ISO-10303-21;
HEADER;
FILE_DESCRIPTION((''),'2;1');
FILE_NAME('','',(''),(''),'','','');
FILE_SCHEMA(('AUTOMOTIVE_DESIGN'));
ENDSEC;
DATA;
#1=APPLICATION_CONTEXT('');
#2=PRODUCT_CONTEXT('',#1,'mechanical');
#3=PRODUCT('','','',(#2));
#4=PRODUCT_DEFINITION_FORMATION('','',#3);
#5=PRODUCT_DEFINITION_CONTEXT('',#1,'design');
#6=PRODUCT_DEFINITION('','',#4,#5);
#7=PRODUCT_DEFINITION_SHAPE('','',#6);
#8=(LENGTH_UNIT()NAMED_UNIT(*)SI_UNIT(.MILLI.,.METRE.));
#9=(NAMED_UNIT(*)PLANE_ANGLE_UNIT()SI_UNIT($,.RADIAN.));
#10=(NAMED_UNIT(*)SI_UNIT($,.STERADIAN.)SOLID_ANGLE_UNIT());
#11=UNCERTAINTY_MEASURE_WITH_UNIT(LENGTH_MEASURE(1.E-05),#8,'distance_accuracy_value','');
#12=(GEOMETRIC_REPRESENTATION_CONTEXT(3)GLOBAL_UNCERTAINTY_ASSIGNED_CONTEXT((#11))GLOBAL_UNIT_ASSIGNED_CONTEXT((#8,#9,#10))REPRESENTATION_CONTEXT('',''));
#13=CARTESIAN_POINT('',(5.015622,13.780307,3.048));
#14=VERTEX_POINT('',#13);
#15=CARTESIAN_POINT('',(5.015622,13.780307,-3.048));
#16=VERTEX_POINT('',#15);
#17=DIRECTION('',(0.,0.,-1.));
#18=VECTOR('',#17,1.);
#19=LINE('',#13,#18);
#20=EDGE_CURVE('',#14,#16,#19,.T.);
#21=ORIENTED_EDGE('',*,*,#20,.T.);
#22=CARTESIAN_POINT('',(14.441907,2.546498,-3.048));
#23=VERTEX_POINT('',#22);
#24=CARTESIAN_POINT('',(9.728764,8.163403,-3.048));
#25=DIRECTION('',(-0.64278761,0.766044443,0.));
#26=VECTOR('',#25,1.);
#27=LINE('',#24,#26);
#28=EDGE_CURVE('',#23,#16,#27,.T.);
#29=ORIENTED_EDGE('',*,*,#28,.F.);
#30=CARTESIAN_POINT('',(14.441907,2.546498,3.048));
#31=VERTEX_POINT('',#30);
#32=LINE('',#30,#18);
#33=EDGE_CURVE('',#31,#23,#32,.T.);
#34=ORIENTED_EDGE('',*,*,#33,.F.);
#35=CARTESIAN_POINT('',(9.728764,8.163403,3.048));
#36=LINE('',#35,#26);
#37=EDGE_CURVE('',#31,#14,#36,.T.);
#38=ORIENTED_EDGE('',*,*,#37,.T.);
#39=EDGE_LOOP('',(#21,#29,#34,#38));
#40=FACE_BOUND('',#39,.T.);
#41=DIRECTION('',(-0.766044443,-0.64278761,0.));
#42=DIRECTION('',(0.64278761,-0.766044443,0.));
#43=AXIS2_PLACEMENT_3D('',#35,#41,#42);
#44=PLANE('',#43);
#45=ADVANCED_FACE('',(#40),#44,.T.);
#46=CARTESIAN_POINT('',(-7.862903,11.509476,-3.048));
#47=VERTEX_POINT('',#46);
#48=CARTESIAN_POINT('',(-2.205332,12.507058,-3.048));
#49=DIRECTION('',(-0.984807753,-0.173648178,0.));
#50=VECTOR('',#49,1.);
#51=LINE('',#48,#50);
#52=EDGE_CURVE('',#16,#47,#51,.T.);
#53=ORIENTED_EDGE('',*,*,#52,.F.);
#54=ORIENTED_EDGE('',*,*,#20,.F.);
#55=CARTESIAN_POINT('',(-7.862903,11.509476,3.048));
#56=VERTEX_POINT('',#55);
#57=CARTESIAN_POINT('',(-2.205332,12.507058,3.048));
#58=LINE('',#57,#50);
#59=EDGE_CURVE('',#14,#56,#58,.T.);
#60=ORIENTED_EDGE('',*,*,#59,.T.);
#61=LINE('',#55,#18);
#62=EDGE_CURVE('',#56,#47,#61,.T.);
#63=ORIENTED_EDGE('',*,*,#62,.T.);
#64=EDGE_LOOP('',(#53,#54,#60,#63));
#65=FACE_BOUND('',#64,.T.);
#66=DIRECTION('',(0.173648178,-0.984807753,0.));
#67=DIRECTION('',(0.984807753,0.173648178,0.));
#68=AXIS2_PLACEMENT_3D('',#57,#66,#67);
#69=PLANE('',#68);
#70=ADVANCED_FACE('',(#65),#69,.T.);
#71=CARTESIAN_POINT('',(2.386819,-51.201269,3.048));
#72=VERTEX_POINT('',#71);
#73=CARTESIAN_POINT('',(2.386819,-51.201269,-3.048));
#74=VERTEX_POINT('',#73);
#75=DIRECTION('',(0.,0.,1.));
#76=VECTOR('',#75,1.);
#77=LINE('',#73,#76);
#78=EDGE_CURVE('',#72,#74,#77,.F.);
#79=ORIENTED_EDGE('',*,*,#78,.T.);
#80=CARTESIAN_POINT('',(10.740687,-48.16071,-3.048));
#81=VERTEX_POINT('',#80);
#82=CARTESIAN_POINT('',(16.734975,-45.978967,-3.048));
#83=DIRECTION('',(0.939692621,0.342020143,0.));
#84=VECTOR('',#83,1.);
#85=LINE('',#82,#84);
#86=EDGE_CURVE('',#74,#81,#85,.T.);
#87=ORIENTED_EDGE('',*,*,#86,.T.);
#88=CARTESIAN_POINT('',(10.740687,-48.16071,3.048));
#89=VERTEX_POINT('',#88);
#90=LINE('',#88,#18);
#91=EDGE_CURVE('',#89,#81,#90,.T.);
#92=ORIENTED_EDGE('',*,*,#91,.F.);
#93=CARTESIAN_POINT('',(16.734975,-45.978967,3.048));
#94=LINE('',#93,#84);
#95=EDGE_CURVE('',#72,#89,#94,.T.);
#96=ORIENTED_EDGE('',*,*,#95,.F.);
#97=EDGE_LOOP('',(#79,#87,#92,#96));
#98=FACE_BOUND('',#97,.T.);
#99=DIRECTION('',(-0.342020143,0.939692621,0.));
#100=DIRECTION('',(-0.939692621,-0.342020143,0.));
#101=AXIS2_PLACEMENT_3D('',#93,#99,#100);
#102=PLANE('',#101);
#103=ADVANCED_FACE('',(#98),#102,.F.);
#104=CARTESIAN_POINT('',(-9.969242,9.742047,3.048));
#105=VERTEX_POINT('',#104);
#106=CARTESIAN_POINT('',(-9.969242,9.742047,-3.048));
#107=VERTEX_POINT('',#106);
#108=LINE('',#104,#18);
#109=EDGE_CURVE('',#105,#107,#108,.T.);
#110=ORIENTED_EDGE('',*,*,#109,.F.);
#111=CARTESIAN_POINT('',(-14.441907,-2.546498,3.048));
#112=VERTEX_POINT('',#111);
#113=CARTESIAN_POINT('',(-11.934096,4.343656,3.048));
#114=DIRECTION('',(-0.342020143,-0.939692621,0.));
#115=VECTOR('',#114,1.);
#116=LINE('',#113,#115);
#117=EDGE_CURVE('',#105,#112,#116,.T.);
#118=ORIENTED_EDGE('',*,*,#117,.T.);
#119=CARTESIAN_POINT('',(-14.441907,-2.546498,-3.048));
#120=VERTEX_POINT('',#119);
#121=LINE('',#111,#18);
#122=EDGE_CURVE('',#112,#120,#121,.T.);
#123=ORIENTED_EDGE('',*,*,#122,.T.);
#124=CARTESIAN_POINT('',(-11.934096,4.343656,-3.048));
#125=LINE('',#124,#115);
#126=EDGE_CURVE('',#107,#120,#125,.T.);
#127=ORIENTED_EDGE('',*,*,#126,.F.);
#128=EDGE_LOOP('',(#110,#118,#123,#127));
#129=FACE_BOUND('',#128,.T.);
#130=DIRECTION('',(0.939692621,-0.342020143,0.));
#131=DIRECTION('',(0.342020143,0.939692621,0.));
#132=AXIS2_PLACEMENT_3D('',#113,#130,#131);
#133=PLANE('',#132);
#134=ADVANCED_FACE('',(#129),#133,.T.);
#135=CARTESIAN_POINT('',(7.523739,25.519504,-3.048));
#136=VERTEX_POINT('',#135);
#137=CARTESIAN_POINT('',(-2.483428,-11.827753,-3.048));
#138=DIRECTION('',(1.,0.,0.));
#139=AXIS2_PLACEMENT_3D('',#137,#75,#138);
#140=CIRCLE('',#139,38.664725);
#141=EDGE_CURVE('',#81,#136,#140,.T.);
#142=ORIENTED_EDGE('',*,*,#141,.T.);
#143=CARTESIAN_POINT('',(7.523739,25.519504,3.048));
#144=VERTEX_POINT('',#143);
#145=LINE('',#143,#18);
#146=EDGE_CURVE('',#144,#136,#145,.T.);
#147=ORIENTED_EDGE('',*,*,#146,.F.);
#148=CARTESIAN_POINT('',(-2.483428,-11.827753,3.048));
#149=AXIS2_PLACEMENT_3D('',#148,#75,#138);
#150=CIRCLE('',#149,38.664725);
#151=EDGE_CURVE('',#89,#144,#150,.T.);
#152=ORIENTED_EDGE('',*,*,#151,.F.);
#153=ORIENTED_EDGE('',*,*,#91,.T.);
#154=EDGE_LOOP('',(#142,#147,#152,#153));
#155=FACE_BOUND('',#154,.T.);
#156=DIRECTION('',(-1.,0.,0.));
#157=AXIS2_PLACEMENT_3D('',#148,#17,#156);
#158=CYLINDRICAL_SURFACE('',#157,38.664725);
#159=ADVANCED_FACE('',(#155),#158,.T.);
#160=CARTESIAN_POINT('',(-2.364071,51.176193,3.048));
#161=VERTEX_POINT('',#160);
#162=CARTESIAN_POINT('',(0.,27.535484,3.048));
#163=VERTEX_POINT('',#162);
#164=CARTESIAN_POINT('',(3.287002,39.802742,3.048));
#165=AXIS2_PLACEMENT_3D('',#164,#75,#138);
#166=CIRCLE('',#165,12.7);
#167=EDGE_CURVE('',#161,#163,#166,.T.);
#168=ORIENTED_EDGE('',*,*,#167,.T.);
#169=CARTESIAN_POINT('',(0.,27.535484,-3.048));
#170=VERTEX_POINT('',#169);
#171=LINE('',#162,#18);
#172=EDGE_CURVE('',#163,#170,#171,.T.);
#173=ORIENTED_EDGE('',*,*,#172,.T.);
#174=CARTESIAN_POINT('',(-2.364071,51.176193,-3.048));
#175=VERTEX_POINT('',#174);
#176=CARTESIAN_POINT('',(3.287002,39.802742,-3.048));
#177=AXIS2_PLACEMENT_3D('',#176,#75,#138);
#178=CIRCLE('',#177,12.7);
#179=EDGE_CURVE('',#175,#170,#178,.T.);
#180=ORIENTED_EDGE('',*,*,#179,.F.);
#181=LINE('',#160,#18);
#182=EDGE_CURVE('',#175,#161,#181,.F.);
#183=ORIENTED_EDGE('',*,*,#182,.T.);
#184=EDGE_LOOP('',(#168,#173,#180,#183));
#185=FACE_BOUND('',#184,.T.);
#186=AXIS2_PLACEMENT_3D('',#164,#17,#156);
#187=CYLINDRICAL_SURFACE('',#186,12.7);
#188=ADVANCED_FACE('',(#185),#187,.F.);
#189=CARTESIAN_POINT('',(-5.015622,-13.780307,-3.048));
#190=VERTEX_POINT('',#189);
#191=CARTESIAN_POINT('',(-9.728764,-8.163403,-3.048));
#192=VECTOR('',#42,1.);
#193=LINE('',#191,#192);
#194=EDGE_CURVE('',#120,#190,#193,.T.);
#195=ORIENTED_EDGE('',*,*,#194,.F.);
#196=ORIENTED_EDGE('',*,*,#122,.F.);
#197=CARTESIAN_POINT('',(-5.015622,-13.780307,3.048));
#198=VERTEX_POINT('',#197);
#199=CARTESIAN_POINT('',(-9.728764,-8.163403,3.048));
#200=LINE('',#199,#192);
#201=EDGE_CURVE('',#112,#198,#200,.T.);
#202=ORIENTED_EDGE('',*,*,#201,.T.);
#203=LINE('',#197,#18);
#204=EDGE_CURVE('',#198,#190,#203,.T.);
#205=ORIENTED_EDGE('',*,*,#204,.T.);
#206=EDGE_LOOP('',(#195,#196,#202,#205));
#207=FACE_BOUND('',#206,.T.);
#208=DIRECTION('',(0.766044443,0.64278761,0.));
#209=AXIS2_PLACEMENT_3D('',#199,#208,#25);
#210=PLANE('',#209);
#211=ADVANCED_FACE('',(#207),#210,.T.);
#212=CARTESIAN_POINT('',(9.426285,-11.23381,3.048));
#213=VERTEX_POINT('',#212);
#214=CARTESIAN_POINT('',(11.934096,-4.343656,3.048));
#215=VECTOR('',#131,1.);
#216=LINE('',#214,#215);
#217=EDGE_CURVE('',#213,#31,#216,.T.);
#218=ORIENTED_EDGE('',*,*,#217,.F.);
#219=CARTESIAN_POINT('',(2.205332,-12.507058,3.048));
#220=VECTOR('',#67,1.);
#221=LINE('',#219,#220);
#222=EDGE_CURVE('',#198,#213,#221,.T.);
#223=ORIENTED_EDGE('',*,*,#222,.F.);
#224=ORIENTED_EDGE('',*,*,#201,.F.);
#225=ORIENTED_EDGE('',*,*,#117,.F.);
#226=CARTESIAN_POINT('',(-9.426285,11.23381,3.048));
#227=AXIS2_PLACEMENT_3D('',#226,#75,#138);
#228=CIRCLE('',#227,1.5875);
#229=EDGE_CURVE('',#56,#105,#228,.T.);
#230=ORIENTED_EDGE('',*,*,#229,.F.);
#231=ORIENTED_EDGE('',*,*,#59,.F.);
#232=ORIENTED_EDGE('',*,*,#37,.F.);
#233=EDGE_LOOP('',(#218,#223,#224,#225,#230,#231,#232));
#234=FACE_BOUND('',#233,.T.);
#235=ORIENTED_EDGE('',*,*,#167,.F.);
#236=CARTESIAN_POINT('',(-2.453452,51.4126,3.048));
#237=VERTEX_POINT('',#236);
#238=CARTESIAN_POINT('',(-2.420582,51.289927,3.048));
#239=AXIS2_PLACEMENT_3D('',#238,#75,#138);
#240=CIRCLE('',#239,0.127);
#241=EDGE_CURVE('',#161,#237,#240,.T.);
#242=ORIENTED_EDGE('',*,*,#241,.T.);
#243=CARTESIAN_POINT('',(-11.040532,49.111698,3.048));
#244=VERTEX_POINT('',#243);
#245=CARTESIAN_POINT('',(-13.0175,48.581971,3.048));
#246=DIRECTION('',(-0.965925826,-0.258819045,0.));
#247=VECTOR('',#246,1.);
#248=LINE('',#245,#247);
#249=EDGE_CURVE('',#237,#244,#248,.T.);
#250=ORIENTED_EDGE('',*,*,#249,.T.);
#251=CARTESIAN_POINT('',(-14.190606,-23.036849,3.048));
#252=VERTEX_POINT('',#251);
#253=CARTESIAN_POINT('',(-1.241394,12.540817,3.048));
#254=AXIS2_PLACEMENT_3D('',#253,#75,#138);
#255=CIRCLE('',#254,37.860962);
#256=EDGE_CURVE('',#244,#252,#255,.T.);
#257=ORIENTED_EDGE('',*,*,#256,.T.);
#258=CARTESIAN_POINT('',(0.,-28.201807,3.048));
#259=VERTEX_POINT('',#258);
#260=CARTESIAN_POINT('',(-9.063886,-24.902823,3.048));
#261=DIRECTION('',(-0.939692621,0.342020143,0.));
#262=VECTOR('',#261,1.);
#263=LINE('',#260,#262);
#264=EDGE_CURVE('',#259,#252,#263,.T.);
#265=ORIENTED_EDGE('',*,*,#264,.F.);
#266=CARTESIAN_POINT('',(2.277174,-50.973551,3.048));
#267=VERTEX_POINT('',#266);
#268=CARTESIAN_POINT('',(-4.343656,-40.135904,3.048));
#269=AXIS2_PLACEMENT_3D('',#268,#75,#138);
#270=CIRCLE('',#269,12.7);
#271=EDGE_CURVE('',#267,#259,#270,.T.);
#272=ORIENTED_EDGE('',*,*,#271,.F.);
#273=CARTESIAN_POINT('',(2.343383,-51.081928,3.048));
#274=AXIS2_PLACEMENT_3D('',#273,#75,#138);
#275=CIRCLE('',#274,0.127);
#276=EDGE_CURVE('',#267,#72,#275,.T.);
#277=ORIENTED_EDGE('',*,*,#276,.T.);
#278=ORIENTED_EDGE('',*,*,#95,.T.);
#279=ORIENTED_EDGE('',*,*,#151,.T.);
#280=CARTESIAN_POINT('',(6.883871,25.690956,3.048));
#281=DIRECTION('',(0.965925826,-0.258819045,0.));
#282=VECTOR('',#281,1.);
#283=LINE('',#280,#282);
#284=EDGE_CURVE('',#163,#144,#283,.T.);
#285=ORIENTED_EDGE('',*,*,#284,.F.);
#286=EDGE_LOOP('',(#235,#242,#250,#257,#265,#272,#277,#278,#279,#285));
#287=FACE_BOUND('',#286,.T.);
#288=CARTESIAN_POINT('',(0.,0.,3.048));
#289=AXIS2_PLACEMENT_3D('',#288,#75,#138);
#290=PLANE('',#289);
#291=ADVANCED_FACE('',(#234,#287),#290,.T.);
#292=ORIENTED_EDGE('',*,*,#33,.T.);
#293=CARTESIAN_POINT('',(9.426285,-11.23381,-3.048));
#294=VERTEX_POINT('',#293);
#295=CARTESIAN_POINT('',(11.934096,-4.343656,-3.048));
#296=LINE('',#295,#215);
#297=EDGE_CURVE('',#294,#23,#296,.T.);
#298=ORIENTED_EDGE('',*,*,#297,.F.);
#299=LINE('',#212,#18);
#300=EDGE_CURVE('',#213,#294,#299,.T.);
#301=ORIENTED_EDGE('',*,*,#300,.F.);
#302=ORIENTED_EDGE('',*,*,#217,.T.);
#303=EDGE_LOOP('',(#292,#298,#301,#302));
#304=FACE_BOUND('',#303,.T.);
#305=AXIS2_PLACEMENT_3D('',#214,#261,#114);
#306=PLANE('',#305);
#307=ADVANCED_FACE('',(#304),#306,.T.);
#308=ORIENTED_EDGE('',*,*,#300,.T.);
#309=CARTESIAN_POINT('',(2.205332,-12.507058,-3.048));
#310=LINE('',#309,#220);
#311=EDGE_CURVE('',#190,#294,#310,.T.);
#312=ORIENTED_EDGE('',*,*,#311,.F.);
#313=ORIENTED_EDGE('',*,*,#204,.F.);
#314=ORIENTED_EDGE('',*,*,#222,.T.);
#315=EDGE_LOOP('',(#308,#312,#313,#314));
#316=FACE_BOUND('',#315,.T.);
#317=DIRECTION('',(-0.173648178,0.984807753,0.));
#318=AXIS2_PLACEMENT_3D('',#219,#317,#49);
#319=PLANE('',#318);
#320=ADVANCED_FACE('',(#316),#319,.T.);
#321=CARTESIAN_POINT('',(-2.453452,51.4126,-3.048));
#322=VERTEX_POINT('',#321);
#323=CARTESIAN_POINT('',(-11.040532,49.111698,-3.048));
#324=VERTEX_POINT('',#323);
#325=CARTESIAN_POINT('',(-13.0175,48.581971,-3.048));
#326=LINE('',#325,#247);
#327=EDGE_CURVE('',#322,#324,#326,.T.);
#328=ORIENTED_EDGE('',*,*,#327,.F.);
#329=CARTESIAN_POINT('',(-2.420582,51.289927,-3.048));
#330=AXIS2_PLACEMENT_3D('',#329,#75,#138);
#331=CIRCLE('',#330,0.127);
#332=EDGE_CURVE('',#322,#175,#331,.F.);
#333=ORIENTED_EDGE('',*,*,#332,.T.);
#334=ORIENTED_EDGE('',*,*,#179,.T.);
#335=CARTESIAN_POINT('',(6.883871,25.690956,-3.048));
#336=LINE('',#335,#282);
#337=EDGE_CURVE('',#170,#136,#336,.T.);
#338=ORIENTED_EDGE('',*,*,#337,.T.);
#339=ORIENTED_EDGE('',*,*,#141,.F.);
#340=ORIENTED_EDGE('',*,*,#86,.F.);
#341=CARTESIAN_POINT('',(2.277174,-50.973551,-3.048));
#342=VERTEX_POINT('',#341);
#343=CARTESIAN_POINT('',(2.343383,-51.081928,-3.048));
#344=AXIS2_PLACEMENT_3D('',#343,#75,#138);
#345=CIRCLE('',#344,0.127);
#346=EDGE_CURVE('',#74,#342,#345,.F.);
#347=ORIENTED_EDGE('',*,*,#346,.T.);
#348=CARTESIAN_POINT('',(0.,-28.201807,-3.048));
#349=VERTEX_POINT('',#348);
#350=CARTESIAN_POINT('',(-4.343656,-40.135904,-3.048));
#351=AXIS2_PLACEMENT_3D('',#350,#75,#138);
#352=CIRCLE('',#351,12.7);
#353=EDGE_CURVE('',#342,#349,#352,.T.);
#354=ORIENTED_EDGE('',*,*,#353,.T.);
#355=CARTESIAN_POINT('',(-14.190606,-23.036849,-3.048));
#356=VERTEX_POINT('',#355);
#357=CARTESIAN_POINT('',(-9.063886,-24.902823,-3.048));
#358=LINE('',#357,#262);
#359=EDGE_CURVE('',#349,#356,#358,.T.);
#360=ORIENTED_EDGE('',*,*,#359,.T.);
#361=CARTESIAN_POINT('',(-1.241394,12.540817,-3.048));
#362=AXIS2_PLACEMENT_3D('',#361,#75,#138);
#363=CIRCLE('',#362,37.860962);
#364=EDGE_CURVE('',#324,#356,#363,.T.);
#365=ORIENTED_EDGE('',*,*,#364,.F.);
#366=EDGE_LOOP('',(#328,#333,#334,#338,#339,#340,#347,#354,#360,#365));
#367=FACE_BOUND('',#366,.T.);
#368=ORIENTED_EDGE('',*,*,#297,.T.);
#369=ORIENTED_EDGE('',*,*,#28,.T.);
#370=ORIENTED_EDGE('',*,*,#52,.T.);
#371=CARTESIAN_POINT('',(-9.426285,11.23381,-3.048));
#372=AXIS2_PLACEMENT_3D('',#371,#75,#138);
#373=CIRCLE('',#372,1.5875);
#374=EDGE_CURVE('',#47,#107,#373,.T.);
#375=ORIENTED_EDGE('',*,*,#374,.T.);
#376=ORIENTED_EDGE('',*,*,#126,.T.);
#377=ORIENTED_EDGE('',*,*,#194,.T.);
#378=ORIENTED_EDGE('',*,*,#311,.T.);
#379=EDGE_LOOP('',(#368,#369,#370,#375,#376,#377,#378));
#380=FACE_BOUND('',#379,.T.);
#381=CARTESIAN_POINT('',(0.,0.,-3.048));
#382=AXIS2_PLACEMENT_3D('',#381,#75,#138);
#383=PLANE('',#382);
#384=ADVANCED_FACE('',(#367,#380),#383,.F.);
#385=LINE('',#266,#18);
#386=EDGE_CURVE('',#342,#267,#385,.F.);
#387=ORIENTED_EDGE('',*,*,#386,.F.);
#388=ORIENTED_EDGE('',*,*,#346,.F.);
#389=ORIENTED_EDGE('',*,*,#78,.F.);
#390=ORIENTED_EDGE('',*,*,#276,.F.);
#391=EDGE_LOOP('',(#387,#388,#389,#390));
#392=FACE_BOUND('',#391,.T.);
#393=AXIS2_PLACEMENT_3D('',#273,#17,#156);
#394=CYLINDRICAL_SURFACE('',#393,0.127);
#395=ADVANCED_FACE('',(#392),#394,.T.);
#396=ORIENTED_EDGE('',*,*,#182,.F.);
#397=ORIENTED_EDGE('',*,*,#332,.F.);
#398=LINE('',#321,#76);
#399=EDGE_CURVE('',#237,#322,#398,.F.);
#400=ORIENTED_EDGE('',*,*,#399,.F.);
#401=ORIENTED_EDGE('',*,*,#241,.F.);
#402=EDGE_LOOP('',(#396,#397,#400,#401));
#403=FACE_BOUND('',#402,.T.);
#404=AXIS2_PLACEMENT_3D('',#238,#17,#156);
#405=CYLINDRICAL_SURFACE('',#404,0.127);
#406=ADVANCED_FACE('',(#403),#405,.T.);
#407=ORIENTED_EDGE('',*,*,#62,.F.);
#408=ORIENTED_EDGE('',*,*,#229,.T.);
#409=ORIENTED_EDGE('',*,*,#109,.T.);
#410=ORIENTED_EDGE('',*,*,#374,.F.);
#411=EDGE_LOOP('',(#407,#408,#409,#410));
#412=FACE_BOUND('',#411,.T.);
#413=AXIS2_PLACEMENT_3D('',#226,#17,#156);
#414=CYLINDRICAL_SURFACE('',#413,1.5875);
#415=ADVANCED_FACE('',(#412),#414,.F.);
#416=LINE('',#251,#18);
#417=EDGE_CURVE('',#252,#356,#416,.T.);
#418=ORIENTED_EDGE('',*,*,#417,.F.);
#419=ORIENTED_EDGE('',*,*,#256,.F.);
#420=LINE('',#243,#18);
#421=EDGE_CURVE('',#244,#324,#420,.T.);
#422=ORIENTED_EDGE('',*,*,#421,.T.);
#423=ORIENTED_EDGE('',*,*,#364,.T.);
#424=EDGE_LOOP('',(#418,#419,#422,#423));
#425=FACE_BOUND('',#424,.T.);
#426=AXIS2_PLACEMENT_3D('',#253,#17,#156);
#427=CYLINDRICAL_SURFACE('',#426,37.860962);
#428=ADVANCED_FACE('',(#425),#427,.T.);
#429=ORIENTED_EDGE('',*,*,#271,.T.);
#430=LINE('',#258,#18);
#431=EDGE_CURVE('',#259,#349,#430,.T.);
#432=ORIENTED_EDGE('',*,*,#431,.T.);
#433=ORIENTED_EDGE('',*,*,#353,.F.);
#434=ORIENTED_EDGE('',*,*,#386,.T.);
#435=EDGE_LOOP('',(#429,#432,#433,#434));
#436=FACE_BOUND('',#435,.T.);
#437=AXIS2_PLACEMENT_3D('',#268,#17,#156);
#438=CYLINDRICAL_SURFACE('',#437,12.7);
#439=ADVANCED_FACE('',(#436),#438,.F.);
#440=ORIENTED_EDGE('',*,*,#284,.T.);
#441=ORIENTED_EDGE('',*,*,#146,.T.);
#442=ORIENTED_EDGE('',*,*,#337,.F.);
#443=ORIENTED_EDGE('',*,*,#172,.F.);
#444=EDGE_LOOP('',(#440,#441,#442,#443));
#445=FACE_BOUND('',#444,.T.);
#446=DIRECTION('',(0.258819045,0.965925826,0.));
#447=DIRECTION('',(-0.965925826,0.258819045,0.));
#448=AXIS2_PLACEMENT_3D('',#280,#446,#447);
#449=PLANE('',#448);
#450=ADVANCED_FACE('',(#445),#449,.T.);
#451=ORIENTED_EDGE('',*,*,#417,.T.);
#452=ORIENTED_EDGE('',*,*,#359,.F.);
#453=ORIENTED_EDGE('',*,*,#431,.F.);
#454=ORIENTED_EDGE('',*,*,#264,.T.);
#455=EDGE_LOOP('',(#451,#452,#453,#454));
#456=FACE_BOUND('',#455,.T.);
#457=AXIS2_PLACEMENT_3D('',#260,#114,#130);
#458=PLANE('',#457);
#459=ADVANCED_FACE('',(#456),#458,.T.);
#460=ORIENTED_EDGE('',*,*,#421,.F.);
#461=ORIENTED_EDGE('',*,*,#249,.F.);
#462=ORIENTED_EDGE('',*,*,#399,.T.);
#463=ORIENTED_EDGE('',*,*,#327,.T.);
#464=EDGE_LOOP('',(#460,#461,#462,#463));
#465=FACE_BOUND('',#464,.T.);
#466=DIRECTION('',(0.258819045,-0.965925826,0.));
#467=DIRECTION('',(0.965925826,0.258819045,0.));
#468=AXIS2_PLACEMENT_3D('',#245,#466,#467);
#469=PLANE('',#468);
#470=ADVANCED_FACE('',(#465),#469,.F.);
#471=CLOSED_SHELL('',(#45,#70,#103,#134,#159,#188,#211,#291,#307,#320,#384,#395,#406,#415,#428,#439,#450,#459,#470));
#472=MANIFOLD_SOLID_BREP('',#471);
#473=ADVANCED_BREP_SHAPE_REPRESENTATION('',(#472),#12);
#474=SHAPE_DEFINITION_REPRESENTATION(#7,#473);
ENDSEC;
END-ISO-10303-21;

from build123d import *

# Parameters (mm, degrees)
BOSS_EXTRUDE1_DEPTH = 3.048
FILLET1_R           = 0.127


with BuildPart() as part:
    # Sketch1 → Boss-Extrude1 (new body, symmetric)
    with BuildSketch(Plane.XY):
        with BuildLine():
            ThreePointArc((0, 27.535484012), (-9.412998127, 39.802742006), (0, 52.07))
            Line((0, 52.07), (-11.040532194, 49.111698314))
            ThreePointArc((-11.040532194, 49.111698314), (-39.066320922, 14.192289272), (-14.190605813, -23.03684931))
            Line((-14.190605813, -23.03684931), (0, -28.201807432))
            ThreePointArc((0, -28.201807432), (8.35634418, -40.135903716), (0, -52.07))
            Line((0, -52.07), (10.740686656, -48.160709762))
            ThreePointArc((10.740686656, -48.160709762), (36.144496882, -10.141220984), (7.52373904, 25.519504212))
            Line((7.52373904, 25.519504212), (0, 27.535484012))
        make_face()
        with BuildLine():
            Line((-14.441907141, -2.546497882), (-9.969242404, 9.742047487))
            ThreePointArc((-9.969242404, 9.742047487), (-10.446710757, 12.449905076), (-7.862903119, 11.509476004))
            Line((-7.862903119, 11.509476004), (5.015621714, 13.780307404))
            Line((5.015621714, 13.780307404), (14.441907141, 2.546497882))
            Line((14.441907141, 2.546497882), (9.426285427, -11.233809522))
            Line((9.426285427, -11.233809522), (-5.015621714, -13.780307404))
            Line((-5.015621714, -13.780307404), (-14.441907141, -2.546497882))
        make_face(mode=Mode.SUBTRACT)
    extrude(amount=BOSS_EXTRUDE1_DEPTH, both=True)

    # Fillet1
    fillet1_edges = [part.edges().sort_by_distance(p)[0] for p in [
        (0, 52.07, 0),
        (0, -52.07, 0),
    ]]
    fillet(fillet1_edges, radius=FILLET1_R)


solid = part.part
